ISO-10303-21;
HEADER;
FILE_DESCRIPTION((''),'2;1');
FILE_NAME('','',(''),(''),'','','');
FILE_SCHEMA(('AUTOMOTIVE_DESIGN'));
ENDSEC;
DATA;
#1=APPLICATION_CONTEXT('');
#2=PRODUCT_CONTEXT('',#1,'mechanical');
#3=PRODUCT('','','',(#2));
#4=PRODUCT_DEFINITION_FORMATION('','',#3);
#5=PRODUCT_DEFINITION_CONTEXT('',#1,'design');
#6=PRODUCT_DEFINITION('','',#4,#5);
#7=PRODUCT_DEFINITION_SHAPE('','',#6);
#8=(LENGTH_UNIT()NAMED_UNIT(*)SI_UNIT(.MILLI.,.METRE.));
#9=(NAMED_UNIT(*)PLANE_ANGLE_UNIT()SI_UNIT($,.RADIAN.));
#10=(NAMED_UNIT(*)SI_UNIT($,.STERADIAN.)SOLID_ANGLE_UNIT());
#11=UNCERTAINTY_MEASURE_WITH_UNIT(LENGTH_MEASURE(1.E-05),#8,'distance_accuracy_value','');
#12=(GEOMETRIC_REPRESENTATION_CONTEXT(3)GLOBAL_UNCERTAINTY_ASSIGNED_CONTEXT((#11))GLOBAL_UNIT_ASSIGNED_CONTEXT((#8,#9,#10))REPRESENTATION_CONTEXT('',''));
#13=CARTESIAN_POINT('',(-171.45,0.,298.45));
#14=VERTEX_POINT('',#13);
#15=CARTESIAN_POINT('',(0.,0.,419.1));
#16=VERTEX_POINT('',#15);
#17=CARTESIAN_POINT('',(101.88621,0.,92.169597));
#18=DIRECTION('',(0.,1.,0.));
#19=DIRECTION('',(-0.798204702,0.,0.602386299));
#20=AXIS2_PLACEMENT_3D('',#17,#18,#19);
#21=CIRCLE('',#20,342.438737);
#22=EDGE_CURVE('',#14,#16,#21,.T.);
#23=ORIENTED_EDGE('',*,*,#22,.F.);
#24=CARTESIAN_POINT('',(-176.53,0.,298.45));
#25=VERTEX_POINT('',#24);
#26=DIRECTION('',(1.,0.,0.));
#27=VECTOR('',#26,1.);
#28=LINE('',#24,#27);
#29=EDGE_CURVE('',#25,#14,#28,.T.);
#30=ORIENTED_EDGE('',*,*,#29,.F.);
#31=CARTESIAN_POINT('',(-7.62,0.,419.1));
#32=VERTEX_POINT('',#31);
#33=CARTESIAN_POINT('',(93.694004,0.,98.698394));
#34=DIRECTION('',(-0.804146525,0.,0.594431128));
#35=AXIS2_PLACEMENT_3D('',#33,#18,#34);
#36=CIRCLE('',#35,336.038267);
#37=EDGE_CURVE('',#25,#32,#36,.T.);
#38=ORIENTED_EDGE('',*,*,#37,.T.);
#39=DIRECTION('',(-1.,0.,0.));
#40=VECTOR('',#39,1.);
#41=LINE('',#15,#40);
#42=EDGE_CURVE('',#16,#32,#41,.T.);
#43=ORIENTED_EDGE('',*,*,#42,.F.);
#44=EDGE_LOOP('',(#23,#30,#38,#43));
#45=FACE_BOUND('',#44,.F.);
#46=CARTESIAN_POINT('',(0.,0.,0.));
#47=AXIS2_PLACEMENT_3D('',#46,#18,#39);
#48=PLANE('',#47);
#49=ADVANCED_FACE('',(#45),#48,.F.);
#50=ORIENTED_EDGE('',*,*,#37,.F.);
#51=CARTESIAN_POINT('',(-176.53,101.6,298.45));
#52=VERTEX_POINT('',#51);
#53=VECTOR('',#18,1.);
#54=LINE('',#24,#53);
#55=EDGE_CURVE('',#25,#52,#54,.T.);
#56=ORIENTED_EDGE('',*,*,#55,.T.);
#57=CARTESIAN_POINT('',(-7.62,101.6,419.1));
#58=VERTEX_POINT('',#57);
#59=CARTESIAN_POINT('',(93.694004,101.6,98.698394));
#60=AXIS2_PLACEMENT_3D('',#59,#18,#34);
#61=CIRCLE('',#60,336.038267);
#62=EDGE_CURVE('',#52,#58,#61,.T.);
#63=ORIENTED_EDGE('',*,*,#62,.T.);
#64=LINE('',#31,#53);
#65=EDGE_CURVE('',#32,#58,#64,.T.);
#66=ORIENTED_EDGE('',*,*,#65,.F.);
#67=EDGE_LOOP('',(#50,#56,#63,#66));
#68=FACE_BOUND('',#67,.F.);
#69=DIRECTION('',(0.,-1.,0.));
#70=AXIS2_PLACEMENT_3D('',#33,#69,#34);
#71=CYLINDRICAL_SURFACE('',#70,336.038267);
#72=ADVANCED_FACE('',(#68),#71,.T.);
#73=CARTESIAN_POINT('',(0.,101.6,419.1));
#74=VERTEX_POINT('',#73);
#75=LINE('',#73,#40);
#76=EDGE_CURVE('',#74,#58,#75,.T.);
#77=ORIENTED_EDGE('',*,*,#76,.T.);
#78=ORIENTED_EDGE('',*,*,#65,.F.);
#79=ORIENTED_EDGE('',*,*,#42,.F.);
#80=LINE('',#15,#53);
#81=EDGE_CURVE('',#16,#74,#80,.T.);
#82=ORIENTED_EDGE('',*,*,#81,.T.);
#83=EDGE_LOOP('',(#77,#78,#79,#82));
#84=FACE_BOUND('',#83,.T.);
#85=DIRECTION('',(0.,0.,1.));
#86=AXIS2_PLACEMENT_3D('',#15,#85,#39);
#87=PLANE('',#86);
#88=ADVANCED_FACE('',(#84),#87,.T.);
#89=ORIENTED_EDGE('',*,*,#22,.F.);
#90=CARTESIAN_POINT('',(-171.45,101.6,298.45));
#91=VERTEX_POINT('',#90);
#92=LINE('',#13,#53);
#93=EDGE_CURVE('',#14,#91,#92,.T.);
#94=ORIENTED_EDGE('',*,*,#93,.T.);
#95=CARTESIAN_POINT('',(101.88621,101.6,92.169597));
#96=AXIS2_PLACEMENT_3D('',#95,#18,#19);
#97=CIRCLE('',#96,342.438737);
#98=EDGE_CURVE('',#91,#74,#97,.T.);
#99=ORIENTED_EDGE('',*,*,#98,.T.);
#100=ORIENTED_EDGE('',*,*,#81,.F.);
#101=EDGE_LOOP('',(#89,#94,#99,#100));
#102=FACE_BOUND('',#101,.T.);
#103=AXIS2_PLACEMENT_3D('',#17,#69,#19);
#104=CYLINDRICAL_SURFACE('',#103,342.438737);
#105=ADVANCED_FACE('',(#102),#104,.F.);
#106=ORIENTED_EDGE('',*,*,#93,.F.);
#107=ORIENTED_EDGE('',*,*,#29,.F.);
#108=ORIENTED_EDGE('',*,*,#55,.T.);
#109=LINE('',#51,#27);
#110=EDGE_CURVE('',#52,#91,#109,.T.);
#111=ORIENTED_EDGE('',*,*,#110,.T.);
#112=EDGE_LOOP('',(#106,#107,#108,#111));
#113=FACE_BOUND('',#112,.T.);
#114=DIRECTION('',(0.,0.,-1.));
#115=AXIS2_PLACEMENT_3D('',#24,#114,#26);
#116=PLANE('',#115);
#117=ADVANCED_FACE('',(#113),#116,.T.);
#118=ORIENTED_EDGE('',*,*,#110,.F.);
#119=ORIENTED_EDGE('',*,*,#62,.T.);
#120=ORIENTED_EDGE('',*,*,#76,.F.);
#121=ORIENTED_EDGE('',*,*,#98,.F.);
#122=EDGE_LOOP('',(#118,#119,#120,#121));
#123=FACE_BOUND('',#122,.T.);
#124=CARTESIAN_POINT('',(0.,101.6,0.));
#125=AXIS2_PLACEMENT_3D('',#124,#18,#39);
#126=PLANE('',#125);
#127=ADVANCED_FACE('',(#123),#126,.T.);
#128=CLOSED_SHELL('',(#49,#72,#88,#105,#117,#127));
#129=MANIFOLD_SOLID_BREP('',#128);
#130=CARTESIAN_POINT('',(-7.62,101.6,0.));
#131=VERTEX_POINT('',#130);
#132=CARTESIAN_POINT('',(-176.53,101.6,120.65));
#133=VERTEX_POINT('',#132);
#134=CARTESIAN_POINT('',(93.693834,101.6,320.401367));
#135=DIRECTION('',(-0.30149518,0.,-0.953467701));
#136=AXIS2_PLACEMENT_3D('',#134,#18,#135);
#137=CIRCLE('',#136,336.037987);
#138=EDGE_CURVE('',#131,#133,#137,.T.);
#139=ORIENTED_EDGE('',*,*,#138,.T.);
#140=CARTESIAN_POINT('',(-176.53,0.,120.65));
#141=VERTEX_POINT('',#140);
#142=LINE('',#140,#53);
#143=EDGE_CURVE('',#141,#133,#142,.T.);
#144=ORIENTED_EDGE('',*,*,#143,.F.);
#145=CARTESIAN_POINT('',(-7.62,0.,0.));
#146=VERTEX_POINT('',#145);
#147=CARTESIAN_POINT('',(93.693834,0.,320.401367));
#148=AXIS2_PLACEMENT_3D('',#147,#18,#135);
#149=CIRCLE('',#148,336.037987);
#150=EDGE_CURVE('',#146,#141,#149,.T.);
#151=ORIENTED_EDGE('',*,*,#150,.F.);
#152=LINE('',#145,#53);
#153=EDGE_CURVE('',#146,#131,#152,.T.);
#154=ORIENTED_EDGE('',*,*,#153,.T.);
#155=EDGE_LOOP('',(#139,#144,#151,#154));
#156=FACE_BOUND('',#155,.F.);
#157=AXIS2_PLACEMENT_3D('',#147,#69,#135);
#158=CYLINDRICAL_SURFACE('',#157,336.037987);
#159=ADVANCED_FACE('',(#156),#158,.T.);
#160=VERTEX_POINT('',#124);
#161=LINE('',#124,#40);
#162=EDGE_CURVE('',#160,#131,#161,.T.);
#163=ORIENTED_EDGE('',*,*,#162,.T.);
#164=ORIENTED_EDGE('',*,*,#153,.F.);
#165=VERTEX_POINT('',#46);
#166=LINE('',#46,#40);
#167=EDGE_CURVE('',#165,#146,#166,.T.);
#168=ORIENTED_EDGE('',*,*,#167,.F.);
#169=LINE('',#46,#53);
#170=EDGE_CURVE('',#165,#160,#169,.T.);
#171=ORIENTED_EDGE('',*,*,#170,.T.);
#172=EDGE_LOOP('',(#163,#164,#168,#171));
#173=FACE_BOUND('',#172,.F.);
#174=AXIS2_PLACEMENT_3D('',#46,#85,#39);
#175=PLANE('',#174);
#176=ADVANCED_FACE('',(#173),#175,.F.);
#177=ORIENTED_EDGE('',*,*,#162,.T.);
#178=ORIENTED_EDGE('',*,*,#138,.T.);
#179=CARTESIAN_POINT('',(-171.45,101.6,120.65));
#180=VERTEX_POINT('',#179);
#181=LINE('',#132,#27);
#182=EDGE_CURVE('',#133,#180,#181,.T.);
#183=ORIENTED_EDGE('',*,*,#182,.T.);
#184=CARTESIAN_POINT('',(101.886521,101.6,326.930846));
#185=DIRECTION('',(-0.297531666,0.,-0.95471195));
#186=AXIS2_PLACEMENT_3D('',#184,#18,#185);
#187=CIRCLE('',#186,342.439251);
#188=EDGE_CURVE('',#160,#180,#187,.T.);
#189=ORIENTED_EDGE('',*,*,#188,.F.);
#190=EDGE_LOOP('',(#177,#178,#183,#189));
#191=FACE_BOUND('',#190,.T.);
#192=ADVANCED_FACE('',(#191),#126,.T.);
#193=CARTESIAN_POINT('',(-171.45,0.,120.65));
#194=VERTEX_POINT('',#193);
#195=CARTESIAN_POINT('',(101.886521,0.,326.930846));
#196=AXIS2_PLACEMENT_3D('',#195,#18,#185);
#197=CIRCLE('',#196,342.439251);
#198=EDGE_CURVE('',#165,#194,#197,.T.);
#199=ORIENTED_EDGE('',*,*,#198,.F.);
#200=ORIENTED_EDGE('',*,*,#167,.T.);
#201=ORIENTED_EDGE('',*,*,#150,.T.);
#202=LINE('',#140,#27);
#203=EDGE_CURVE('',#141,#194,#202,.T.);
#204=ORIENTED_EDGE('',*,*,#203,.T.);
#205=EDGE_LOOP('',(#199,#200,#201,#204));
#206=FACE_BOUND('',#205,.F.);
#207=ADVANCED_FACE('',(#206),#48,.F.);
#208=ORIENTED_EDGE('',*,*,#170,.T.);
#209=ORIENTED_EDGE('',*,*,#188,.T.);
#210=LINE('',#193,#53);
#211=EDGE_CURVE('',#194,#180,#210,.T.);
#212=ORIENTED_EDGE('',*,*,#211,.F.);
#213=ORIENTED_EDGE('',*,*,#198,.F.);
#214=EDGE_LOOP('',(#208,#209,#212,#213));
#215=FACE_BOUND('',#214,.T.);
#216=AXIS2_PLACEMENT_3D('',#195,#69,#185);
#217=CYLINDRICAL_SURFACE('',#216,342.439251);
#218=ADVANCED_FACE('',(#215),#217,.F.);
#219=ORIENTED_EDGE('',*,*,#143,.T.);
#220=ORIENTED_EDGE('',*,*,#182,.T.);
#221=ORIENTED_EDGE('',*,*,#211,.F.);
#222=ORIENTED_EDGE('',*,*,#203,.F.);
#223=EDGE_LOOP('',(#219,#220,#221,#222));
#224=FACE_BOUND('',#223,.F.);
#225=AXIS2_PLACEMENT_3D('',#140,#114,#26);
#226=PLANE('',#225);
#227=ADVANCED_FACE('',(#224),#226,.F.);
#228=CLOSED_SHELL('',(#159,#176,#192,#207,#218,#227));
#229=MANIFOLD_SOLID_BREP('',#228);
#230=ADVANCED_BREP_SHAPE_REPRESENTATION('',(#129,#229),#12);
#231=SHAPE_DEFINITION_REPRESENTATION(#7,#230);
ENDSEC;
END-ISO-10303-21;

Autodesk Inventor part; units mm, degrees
ref_plane "YZ Plane" through (0, 0, 0) normal (1, 0, 0) x (0, 1, 0)
ref_plane "XZ Plane" through (0, 0, 0) normal (0, 1, 0) x (-1, 0, 0)
ref_plane "XY Plane" through (0, 0, 0) normal (0, 0, 1) x (1, 0, 0)
sketch "Sketch1" plane through (0, 0, 0) normal (0, 1, 0) x (-1, 0, 0)
  line L0 (0, 0) -> (0, 419.1) construction
  line L1 (-20.1749, 209.55) -> (-20.1749, 298.45) construction
  line L2 (-20.1749, 298.45) -> (-20.1749, 120.65) construction
  line L3 (0, 459.8887) -> (176.53, 459.8887) construction
  arc A0 (176.53, 298.45) -> (7.62, 419.1) centre (-93.6939, 98.6985) ccw
  line L4 (0, 419.1) -> (7.62, 419.1)
  line L5 (176.53, 298.45) -> (171.45, 298.45)
  arc A1 (171.45, 298.45) -> (0, 419.1) centre (-101.8864, 92.1694) ccw
  line L6 (-14.6934, 209.55) -> (-6.0543, 209.55)
  arc A2 (7.62, 0) -> (176.53, 120.65) centre (-93.6939, 320.4015) ccw
  line L7 (0, 0) -> (7.62, 0)
  line L8 (176.53, 120.65) -> (171.45, 120.65)
  arc A3 (0, 0) -> (171.45, 120.65) centre (-101.8864, 326.9306) ccw
  dimension "d0" = 419.1
  dimension "d1" = 88.9
  dimension "d2" = 177.8
  dimension "d3" = 176.53
  dimension "d4" = 7.62
  dimension "d5" = 5.08
extrude "Extrusion1" add sketch "Sketch1" along normal blind 101.6
equation "\"BendRadius\" = Thickness"
equation "\"BendReliefWidth\" = Thickness"
equation "\"BendReliefDepth\" = 0.5 * Thickness"
equation "\"CornerReliefSize\" = 4 * Thickness"
equation "\"MinimumRemnant\" = 2 * Thickness"
equation "\"TransitionRadius\" = BendRadius"
equation "\"JacobiRadiusSize\" = BendRadius"
equation "\"GapSize\" = Thickness"
equation "\"Thickness\" = 3.048"
properties part number "Funnel"
